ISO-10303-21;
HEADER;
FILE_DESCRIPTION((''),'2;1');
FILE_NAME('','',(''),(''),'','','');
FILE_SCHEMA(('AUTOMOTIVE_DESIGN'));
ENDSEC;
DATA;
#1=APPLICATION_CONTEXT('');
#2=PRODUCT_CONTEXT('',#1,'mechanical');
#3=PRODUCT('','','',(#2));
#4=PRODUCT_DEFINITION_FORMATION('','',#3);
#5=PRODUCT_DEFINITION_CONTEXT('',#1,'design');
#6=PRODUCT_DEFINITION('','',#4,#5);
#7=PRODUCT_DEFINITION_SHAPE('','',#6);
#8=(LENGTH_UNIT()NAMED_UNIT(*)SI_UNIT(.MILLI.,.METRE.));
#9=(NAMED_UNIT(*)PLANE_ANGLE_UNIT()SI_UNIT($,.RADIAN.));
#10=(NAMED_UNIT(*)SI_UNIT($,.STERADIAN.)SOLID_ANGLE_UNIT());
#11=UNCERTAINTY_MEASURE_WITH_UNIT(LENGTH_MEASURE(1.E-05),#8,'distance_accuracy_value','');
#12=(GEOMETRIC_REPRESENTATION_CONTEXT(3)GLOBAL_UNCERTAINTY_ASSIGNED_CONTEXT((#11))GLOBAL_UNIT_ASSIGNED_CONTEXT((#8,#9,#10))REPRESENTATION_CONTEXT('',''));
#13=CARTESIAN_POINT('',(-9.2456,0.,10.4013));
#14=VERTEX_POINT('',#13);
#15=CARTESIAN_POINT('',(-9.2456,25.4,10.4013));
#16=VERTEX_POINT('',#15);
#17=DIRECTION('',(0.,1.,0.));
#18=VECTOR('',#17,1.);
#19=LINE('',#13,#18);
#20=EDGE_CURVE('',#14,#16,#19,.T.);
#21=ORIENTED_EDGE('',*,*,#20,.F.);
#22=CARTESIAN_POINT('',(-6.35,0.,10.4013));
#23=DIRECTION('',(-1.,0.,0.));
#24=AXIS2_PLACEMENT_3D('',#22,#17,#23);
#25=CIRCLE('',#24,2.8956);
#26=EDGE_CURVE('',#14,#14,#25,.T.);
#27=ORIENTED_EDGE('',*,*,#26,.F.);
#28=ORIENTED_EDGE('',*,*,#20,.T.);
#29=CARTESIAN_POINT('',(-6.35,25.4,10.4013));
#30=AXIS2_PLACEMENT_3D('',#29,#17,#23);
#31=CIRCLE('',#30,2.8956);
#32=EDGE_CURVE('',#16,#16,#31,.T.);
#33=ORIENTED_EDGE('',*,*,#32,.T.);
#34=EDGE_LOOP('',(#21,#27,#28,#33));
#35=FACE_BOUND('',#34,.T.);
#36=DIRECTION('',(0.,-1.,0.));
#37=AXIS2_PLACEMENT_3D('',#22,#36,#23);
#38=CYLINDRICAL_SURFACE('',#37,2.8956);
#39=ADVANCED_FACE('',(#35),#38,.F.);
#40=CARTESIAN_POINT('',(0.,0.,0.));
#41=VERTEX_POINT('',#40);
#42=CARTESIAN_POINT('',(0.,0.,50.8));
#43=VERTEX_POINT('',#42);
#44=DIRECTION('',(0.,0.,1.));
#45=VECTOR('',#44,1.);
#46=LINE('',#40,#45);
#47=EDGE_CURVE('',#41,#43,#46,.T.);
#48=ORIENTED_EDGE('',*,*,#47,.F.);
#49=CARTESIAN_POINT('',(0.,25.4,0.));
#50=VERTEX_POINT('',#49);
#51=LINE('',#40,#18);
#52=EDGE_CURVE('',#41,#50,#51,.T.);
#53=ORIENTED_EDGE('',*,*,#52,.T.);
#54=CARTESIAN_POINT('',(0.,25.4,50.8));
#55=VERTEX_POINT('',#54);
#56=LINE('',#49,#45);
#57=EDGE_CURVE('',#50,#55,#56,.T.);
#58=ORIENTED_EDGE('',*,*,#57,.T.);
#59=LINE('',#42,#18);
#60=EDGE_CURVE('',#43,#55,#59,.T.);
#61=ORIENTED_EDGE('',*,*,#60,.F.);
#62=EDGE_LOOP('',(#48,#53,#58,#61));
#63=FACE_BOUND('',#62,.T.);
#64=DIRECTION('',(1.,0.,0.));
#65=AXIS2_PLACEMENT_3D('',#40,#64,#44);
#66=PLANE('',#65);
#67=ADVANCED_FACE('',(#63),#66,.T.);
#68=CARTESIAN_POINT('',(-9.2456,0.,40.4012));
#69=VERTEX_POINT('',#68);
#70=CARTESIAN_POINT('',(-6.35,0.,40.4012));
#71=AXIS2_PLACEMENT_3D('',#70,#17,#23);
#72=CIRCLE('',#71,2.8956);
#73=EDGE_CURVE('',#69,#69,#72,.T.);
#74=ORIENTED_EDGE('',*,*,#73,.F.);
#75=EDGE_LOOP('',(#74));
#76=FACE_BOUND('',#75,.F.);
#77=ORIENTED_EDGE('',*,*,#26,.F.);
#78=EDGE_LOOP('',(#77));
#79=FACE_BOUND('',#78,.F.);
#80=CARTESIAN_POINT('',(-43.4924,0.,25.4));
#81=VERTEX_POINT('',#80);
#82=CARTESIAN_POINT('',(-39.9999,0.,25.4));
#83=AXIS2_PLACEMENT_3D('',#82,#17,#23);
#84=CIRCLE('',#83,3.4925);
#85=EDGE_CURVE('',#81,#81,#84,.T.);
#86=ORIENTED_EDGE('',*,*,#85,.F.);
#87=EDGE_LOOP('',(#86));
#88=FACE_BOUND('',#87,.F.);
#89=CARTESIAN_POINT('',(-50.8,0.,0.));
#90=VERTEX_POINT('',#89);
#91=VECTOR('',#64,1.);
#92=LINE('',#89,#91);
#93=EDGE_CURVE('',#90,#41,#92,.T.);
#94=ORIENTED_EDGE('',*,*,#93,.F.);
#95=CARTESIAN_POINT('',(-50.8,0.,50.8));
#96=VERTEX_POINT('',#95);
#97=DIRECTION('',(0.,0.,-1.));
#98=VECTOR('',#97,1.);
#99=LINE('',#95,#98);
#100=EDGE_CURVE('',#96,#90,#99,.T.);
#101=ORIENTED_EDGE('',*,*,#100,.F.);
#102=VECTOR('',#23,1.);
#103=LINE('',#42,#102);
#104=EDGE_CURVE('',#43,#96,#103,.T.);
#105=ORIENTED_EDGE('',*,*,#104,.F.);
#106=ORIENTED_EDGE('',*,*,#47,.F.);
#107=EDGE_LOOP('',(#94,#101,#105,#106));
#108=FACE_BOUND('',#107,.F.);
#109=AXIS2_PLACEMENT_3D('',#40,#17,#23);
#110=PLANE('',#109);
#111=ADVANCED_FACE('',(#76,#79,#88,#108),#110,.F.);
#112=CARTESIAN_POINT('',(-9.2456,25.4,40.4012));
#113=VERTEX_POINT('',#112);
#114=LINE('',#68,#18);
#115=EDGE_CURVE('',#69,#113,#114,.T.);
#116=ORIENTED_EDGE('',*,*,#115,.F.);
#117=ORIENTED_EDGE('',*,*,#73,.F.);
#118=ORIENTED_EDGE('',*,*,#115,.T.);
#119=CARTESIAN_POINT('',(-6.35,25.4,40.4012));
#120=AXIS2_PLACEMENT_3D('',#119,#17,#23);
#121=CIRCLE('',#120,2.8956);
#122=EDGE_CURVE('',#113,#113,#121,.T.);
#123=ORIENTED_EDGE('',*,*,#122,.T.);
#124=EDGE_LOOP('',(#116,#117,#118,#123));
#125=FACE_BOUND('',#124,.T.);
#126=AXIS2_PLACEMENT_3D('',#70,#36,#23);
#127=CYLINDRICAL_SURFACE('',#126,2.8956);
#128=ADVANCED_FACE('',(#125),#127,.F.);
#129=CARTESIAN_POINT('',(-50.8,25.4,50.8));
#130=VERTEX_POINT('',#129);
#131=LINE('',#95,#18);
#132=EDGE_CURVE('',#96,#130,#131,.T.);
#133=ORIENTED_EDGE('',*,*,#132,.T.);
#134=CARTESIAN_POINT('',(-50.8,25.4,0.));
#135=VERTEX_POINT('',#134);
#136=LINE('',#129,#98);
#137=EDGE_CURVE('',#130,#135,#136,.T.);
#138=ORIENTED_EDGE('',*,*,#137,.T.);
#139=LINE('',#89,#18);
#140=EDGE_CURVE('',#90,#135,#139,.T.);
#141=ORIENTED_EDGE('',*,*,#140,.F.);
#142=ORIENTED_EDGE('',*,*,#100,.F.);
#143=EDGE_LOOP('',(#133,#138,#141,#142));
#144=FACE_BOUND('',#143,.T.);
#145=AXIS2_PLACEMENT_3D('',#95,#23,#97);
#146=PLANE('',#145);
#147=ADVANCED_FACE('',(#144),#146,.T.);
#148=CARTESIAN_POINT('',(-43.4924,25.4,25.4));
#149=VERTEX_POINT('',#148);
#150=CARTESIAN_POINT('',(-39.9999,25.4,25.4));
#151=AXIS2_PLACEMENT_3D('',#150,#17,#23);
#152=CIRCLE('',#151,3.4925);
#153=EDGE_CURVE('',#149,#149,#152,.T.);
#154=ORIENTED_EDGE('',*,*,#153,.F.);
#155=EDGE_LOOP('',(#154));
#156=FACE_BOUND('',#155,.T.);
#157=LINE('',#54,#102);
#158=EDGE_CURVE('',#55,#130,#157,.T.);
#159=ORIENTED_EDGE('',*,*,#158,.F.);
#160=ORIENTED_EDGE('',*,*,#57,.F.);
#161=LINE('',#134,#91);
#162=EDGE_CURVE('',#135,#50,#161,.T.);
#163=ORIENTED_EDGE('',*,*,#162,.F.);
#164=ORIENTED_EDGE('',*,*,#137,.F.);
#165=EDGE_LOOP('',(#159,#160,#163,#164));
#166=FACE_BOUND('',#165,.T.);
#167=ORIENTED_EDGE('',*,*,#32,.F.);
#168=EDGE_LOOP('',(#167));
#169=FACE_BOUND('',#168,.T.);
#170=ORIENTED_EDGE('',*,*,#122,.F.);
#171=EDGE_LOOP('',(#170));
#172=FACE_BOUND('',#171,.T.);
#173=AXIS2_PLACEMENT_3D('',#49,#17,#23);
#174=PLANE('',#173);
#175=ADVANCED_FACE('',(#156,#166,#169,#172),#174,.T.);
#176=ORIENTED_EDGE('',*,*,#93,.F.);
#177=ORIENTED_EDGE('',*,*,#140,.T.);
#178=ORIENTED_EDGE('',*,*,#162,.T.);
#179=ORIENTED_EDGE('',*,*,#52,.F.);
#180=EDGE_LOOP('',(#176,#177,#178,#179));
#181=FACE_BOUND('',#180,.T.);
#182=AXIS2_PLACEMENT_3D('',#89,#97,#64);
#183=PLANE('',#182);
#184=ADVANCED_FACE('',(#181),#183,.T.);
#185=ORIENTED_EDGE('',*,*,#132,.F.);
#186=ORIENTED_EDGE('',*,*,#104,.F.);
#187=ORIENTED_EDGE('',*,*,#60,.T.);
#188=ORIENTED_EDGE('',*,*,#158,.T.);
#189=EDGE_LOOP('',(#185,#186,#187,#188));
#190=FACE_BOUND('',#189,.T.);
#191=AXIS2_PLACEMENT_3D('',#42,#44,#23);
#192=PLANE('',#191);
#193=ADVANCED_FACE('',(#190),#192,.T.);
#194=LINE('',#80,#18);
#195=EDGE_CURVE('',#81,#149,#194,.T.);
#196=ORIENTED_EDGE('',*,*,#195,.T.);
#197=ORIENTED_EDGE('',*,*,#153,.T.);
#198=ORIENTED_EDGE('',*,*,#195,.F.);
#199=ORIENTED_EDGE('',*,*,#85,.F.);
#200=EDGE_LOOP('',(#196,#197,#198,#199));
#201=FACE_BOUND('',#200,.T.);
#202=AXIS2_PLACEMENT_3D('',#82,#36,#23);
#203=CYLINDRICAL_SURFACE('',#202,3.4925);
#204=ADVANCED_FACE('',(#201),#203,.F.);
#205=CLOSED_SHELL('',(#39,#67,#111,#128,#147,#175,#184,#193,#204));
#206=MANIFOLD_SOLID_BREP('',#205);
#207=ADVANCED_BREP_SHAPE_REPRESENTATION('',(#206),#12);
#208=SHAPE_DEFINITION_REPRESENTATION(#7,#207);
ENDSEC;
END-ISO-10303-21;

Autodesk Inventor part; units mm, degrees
ref_plane "YZ Plane" through (0, 0, 0) normal (1, 0, 0) x (0, 1, 0)
ref_plane "XZ Plane" through (0, 0, 0) normal (0, 1, 0) x (-1, 0, 0)
ref_plane "XY Plane" through (0, 0, 0) normal (0, 0, 1) x (1, 0, 0)
sketch "Sketch1" plane through (0, 0, 0) normal (0, 1, 0) x (-1, 0, 0)
  line L0 (0, 0) -> (0, 50.8)
  line L1 (0, 50.8) -> (50.8, 50.8)
  line L2 (50.8, 50.8) -> (50.8, 0)
  line L3 (50.8, 0) -> (0, 0)
  circle A0 centre (6.35, 40.4012) radius 2.8956
  circle A1 centre (6.35, 10.4013) radius 2.8956
  circle A2 centre (39.9999, 25.4) radius 3.4925
  dimension "d0" = 50.8
  dimension "d1" = 50.8
  dimension "d2" = 5.7912
  dimension "d3" = 5.7912
  dimension "d4" = 29.9999
  dimension "d5" = 10.4013
  dimension "d6" = 6.35
  dimension "d7" = 6.35
  dimension "d8" = 6.985
  dimension "d9" = 39.9999
  dimension "d10" = 25.4
extrude "Extrusion1" add sketch "Sketch1" along normal blind 25.4
properties part number "SpoutHolder"
